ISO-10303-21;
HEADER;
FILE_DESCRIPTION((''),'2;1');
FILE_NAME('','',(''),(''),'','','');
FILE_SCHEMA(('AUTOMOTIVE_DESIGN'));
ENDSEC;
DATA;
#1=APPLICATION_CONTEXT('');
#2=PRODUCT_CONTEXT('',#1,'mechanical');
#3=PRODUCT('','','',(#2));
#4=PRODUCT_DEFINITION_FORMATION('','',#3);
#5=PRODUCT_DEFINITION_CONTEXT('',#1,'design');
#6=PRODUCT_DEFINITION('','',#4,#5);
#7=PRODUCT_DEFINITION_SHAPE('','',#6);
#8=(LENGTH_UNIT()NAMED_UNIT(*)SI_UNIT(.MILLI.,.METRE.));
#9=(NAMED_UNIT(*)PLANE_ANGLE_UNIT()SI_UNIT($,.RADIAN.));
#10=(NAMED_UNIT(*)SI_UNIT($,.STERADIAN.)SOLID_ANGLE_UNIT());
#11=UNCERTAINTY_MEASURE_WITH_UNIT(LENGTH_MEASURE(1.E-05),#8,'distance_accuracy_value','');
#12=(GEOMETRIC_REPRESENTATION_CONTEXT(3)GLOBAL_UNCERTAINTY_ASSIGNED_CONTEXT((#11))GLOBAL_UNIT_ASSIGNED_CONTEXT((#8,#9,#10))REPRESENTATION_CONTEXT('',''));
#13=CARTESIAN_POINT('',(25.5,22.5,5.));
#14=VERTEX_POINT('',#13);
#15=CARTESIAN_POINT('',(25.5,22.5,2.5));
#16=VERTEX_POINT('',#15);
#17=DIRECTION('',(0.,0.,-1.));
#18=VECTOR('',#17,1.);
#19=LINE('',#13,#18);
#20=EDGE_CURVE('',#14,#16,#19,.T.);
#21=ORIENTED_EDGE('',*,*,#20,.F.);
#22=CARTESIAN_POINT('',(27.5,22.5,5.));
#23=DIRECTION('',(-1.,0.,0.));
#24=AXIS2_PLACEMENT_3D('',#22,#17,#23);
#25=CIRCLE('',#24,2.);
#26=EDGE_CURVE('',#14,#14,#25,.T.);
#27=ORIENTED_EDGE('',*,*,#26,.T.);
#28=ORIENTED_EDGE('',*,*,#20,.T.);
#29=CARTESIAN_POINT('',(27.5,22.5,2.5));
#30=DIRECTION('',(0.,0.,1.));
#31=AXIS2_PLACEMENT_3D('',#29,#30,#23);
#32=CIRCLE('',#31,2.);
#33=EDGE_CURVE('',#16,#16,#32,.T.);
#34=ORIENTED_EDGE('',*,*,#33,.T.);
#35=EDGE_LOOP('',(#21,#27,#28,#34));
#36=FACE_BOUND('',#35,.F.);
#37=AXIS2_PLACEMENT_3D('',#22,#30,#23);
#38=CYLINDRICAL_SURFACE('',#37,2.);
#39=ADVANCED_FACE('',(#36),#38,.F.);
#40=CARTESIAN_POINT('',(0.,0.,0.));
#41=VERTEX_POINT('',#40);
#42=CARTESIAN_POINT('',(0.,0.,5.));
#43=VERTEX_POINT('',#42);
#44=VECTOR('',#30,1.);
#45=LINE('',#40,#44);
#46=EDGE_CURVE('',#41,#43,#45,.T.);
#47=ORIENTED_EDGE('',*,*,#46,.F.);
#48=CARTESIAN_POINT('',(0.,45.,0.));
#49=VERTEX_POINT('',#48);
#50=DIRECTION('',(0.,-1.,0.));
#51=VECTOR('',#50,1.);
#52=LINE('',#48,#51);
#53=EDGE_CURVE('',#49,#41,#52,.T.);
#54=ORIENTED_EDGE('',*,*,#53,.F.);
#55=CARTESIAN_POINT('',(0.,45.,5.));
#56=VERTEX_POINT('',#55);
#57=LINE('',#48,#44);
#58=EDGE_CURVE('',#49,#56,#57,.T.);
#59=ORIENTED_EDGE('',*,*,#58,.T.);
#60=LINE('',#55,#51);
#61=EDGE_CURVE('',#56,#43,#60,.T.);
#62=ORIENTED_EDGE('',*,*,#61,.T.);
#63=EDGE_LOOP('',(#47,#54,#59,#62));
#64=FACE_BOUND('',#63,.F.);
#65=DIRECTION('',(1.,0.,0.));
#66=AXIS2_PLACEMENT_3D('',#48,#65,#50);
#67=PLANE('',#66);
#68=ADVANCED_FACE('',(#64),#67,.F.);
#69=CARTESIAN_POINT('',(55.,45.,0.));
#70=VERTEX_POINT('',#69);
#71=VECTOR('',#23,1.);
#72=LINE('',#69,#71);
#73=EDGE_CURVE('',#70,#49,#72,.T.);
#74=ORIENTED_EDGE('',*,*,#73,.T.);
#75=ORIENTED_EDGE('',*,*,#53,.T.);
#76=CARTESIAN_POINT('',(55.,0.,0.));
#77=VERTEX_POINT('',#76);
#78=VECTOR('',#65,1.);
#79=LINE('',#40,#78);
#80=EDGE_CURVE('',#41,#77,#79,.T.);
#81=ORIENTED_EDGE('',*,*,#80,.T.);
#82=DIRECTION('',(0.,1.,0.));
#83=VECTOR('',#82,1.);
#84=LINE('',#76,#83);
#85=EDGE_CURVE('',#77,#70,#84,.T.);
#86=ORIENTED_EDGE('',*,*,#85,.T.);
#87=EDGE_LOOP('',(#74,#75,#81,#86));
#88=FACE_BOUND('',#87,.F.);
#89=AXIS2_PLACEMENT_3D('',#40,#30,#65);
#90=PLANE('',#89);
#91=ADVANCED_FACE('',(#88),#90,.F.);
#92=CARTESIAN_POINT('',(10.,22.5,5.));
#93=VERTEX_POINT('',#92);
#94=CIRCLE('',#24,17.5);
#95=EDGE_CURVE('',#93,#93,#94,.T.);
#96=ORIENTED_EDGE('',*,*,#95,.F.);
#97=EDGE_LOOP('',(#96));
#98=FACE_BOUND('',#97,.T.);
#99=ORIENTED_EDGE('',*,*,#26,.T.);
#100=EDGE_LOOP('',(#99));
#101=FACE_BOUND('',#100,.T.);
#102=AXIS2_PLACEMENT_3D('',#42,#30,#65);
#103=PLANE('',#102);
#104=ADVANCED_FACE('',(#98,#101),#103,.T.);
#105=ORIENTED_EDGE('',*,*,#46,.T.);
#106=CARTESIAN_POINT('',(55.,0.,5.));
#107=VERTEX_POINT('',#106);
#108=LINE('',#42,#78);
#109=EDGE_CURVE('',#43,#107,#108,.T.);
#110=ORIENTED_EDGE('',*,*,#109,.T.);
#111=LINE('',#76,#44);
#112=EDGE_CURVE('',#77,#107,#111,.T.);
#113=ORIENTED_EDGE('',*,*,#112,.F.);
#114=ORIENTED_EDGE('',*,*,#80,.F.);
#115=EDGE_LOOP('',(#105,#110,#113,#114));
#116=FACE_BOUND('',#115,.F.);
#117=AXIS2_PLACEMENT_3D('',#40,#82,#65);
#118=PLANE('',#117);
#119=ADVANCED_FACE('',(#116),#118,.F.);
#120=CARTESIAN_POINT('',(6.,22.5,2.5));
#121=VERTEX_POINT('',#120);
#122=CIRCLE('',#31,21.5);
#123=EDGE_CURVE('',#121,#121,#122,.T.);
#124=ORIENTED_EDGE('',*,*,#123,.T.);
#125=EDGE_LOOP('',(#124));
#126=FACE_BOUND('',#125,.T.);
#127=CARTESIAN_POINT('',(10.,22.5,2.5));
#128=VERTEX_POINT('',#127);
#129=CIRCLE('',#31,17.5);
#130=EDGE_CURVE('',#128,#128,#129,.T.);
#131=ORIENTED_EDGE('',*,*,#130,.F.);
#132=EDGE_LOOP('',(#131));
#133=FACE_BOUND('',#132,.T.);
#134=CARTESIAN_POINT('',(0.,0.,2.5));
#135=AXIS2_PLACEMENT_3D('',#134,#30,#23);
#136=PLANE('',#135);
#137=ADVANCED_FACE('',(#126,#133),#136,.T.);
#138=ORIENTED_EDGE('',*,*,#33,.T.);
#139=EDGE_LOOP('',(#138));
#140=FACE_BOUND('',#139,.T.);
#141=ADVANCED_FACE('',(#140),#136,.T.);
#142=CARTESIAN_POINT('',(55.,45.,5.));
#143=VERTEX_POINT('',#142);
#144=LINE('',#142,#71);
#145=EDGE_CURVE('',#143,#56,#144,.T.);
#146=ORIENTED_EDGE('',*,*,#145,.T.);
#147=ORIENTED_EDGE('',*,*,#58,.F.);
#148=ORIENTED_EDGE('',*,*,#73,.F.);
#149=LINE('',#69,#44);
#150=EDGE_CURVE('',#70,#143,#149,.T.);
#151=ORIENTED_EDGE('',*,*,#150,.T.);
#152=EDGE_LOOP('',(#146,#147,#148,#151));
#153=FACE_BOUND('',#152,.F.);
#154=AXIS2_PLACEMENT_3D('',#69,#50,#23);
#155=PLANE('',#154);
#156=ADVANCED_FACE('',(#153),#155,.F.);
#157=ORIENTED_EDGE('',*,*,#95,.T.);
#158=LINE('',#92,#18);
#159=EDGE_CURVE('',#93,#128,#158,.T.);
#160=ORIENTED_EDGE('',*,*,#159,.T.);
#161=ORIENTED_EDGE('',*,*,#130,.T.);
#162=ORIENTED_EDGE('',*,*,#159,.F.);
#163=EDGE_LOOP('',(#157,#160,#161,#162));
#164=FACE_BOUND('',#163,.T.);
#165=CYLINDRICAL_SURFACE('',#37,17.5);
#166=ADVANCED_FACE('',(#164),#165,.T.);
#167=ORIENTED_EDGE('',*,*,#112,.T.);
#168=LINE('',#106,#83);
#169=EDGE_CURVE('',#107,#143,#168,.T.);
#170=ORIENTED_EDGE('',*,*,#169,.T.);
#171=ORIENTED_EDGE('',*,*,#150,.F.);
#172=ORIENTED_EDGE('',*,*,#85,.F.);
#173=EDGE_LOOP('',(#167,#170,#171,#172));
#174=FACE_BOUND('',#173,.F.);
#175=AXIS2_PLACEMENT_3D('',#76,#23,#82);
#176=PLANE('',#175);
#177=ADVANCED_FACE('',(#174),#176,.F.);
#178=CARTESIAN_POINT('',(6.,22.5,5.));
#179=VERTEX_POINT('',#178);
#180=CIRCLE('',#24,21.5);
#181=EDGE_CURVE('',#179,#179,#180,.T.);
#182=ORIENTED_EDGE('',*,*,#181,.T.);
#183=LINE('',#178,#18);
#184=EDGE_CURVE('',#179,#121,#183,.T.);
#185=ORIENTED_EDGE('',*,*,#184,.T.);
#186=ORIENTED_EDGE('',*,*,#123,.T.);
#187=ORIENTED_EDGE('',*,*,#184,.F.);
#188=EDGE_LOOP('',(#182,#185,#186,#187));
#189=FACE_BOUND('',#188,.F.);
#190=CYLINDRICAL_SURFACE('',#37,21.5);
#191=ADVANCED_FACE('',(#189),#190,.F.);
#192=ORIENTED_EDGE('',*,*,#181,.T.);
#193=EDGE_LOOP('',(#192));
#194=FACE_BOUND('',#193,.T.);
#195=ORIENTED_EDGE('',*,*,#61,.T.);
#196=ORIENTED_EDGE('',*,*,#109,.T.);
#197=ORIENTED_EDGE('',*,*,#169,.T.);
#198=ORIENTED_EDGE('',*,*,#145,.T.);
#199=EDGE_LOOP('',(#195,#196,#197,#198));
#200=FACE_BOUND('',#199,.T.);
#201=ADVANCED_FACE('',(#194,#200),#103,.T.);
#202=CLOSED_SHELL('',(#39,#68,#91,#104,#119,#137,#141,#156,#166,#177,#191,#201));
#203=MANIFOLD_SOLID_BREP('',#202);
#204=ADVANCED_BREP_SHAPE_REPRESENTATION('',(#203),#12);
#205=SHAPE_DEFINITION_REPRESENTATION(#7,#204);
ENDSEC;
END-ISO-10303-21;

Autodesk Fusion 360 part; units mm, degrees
sketch "Sketch1" plane through (0, 0, 0) normal (0, 0, 1) x (1, 0, 0)
  line L0 (0, 0) -> (55, 0)
  line L1 (55, 0) -> (55, 45)
  line L2 (55, 45) -> (0, 45)
  line L3 (0, 45) -> (0, 0)
  dimension "d1" = 55
  dimension "d2" = 45
extrude "Extrude1" add sketch "Sketch1" along normal blind 5
sketch "Sketch2" plane through (0, 0, 5) normal (0, 0, 1) x (-1, 0, 0)
  line L0 (0, -45) -> (0, 0)
  line L1 (0, 0) -> (-55, 0)
  line L2 (-55, 0) -> (-55, -45)
  line L3 (-55, -45) -> (0, -45)
  line L4 (0, -45) -> (-55, -45)
  line L5 (-55, -45) -> (-55, -50)
  line L6 (-55, -50) -> (0, -50)
  line L7 (0, -50) -> (0, -45)
  line L8 (0, 0) -> (-55, 0)
  line L9 (-55, 0) -> (-55, 5)
  line L10 (-55, 5) -> (0, 5)
  line L11 (0, 5) -> (0, 0)
  line L12 (0, -50) -> (-55, 5)
  line L13 (-55, -50) -> (0, 5)
  circle A0 centre (-27.5, -22.5) radius 2
  circle A1 centre (-27.5, -22.5) radius 17.5
  circle A2 centre (-27.5, -22.5) radius 21.5
  dimension "d5" = 55
  dimension "d6" = 5
  dimension "d7" = 55
  dimension "d8" = 5
  dimension "d9" = 4
  dimension "d10" = 35
  dimension "d11" = 43
extrude "Extrude2" cut sketch "Sketch2" against normal blind 2.5 contours L12 L13 A1 A2 | L12 L13 A1 A2 | L12 L13 A1 A2 | L12 L13 A1 A2 | L12 L13 A0 | L12 L13 A0 | L12 L13 A0 | L12 L13 A0
